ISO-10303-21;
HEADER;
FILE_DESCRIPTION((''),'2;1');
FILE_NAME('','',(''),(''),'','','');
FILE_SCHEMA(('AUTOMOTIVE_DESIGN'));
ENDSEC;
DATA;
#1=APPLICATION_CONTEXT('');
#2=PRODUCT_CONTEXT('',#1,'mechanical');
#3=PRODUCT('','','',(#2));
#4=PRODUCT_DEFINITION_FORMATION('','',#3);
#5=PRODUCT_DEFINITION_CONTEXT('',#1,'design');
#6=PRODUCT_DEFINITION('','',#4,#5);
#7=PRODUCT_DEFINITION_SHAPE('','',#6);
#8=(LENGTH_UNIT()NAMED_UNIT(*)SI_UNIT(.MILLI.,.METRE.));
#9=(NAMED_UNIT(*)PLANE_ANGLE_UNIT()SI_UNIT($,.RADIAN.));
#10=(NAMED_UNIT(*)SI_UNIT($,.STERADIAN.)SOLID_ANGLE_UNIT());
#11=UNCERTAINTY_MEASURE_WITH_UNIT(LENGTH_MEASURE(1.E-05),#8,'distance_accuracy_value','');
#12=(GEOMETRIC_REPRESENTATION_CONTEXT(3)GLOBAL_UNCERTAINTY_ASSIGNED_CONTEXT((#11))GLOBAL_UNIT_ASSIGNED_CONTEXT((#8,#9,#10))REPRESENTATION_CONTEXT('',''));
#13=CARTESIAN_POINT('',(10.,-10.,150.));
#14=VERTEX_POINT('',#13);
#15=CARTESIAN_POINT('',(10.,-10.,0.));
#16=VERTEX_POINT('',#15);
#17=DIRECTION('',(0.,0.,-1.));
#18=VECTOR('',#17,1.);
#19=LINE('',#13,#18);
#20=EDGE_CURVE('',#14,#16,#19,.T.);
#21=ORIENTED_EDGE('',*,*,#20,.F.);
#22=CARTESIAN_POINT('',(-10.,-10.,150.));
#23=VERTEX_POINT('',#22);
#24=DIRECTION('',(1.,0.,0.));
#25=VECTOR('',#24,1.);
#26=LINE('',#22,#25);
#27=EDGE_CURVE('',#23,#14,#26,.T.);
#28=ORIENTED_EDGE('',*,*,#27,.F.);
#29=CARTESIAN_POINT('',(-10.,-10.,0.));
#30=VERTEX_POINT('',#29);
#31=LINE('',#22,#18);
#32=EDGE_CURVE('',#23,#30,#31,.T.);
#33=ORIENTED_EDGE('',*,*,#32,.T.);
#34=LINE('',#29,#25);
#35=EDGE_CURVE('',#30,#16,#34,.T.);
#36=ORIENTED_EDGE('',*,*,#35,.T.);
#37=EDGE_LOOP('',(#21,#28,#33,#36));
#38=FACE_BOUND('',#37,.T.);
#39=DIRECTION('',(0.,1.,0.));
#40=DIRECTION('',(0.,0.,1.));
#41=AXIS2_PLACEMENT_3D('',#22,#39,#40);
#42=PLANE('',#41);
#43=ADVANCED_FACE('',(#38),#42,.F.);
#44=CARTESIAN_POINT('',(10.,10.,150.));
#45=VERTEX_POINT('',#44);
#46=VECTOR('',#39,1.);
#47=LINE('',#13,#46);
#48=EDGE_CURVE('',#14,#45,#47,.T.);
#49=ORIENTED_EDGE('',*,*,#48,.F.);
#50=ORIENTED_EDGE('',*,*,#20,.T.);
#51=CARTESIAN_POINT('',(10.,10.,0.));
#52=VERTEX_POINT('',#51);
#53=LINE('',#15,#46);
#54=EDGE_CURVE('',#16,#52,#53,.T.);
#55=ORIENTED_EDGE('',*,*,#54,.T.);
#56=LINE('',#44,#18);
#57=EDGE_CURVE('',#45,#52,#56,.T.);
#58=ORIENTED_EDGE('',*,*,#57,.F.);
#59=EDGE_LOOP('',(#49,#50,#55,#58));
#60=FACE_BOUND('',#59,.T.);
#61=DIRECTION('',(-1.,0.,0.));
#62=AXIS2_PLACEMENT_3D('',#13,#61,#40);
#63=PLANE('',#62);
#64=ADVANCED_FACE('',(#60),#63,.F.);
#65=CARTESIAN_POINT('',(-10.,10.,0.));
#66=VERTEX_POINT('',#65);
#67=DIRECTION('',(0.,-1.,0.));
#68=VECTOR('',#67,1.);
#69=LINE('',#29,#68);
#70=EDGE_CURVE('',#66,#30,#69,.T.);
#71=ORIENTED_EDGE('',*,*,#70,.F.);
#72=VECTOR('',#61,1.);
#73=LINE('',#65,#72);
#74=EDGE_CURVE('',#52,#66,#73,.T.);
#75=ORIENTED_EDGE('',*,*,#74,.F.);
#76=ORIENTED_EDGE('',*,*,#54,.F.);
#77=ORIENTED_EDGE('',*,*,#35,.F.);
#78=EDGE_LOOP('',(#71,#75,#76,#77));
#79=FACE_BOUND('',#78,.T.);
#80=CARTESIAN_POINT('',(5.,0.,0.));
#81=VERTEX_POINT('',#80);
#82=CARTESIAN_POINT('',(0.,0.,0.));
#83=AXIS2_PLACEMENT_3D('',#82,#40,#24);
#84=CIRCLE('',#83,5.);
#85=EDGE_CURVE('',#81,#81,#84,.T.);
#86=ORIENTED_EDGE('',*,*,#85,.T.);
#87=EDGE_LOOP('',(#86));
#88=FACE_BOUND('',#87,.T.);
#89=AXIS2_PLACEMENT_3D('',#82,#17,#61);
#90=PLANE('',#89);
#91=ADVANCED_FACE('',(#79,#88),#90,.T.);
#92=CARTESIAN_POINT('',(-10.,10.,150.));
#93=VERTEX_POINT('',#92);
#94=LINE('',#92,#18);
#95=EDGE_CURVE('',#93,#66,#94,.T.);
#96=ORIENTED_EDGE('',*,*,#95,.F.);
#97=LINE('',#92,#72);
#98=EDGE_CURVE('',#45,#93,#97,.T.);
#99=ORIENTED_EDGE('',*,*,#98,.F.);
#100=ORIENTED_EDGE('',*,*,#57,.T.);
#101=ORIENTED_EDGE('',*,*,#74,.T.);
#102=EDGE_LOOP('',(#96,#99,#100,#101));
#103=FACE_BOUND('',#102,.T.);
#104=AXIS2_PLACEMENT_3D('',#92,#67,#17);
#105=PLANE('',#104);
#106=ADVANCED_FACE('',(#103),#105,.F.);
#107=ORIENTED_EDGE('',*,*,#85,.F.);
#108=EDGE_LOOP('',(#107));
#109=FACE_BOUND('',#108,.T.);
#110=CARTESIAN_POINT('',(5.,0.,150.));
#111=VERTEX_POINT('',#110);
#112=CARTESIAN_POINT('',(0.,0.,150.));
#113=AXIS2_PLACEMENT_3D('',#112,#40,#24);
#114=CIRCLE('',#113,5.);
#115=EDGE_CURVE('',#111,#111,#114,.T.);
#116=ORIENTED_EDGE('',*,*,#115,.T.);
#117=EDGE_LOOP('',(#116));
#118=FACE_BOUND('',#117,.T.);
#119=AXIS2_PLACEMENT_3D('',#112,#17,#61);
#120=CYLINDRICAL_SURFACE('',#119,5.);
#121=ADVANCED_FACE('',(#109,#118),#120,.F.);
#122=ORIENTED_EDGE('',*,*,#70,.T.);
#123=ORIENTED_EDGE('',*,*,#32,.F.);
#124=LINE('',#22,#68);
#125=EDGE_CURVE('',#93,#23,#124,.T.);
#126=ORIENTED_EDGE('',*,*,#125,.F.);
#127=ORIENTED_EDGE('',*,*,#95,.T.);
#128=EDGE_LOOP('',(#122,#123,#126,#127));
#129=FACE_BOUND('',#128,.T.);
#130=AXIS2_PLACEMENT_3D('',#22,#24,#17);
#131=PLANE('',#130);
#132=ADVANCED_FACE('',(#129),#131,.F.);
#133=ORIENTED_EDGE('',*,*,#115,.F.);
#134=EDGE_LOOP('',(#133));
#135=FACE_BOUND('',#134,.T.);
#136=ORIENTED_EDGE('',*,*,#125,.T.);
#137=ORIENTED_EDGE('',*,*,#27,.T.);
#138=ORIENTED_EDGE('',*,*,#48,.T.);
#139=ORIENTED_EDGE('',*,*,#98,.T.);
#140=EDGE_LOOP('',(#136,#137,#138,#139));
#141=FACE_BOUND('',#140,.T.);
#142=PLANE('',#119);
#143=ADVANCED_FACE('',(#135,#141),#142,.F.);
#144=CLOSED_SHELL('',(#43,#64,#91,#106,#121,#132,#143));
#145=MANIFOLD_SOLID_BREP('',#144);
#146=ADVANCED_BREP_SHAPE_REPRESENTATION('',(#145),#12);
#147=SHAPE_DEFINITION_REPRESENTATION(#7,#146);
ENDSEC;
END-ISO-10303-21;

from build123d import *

# Parameters (mm, degrees)
SKETCH1_W           = 20
SKETCH1_H           = 20
SKETCH1_R           = 5
BOSS_EXTRUDE1_DEPTH = 150


with BuildPart() as part:
    # Sketch1 → Boss-Extrude1 (new body)
    with BuildSketch(Plane.XY):
        Rectangle(SKETCH1_W, SKETCH1_H)
        Circle(SKETCH1_R, mode=Mode.SUBTRACT)
    extrude(amount=BOSS_EXTRUDE1_DEPTH)


solid = part.part
